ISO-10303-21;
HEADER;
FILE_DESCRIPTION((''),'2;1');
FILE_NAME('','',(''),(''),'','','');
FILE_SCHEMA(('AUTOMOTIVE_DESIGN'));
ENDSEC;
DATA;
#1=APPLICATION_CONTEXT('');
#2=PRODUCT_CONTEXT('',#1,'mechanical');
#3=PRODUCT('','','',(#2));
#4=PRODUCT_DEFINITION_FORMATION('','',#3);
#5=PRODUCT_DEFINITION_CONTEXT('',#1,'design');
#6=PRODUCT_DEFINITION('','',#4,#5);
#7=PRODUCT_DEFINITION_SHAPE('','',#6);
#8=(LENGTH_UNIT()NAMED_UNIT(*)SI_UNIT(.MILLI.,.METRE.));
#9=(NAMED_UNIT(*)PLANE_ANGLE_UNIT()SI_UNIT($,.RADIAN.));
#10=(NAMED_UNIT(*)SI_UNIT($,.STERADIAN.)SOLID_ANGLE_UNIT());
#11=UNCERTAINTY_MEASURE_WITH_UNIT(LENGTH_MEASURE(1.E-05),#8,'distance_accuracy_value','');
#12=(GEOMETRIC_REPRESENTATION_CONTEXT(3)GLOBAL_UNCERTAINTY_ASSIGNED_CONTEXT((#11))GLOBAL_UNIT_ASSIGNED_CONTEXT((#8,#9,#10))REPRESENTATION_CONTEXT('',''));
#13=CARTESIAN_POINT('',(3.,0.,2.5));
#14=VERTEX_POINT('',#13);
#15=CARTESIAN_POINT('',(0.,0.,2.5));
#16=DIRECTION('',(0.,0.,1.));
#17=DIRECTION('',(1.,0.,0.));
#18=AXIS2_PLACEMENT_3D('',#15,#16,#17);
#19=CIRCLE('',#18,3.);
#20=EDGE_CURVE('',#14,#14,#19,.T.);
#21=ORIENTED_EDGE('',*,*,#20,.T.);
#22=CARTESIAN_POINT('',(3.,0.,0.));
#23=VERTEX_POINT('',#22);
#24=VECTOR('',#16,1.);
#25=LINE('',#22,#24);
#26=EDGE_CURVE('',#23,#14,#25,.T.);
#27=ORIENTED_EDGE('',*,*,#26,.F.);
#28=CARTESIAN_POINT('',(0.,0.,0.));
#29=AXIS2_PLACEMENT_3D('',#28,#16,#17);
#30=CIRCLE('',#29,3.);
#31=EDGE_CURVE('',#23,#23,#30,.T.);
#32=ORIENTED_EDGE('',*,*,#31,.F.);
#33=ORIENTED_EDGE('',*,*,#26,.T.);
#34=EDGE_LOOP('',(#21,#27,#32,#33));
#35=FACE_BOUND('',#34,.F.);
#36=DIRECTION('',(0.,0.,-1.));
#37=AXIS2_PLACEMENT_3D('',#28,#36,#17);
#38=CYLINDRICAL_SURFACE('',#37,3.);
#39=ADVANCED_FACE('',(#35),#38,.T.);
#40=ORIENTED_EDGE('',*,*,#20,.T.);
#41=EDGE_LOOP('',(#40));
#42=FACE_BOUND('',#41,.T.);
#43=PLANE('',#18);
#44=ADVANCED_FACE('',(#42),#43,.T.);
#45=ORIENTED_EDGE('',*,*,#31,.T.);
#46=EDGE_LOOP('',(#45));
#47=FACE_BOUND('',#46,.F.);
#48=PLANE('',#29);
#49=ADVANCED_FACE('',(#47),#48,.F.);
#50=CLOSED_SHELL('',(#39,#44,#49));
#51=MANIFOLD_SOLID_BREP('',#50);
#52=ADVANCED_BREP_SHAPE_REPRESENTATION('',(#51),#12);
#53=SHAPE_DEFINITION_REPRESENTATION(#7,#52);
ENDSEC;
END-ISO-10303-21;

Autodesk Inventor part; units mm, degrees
ref_plane "YZ Plane" through (0, 0, 0) normal (1, 0, 0) x (0, 1, 0)
ref_plane "XZ Plane" through (0, 0, 0) normal (0, 1, 0) x (-1, 0, 0)
ref_plane "XY Plane" through (0, 0, 0) normal (0, 0, 1) x (1, 0, 0)
sketch "Sketch1" plane through (0, 0, 0) normal (0, 0, 1) x (1, 0, 0)
  circle A0 centre (0, 0) radius 3
  dimension "d0" = 6
extrude "Extrusion1" add sketch "Sketch1" along normal blind 2.5
properties part number "Magnet"
